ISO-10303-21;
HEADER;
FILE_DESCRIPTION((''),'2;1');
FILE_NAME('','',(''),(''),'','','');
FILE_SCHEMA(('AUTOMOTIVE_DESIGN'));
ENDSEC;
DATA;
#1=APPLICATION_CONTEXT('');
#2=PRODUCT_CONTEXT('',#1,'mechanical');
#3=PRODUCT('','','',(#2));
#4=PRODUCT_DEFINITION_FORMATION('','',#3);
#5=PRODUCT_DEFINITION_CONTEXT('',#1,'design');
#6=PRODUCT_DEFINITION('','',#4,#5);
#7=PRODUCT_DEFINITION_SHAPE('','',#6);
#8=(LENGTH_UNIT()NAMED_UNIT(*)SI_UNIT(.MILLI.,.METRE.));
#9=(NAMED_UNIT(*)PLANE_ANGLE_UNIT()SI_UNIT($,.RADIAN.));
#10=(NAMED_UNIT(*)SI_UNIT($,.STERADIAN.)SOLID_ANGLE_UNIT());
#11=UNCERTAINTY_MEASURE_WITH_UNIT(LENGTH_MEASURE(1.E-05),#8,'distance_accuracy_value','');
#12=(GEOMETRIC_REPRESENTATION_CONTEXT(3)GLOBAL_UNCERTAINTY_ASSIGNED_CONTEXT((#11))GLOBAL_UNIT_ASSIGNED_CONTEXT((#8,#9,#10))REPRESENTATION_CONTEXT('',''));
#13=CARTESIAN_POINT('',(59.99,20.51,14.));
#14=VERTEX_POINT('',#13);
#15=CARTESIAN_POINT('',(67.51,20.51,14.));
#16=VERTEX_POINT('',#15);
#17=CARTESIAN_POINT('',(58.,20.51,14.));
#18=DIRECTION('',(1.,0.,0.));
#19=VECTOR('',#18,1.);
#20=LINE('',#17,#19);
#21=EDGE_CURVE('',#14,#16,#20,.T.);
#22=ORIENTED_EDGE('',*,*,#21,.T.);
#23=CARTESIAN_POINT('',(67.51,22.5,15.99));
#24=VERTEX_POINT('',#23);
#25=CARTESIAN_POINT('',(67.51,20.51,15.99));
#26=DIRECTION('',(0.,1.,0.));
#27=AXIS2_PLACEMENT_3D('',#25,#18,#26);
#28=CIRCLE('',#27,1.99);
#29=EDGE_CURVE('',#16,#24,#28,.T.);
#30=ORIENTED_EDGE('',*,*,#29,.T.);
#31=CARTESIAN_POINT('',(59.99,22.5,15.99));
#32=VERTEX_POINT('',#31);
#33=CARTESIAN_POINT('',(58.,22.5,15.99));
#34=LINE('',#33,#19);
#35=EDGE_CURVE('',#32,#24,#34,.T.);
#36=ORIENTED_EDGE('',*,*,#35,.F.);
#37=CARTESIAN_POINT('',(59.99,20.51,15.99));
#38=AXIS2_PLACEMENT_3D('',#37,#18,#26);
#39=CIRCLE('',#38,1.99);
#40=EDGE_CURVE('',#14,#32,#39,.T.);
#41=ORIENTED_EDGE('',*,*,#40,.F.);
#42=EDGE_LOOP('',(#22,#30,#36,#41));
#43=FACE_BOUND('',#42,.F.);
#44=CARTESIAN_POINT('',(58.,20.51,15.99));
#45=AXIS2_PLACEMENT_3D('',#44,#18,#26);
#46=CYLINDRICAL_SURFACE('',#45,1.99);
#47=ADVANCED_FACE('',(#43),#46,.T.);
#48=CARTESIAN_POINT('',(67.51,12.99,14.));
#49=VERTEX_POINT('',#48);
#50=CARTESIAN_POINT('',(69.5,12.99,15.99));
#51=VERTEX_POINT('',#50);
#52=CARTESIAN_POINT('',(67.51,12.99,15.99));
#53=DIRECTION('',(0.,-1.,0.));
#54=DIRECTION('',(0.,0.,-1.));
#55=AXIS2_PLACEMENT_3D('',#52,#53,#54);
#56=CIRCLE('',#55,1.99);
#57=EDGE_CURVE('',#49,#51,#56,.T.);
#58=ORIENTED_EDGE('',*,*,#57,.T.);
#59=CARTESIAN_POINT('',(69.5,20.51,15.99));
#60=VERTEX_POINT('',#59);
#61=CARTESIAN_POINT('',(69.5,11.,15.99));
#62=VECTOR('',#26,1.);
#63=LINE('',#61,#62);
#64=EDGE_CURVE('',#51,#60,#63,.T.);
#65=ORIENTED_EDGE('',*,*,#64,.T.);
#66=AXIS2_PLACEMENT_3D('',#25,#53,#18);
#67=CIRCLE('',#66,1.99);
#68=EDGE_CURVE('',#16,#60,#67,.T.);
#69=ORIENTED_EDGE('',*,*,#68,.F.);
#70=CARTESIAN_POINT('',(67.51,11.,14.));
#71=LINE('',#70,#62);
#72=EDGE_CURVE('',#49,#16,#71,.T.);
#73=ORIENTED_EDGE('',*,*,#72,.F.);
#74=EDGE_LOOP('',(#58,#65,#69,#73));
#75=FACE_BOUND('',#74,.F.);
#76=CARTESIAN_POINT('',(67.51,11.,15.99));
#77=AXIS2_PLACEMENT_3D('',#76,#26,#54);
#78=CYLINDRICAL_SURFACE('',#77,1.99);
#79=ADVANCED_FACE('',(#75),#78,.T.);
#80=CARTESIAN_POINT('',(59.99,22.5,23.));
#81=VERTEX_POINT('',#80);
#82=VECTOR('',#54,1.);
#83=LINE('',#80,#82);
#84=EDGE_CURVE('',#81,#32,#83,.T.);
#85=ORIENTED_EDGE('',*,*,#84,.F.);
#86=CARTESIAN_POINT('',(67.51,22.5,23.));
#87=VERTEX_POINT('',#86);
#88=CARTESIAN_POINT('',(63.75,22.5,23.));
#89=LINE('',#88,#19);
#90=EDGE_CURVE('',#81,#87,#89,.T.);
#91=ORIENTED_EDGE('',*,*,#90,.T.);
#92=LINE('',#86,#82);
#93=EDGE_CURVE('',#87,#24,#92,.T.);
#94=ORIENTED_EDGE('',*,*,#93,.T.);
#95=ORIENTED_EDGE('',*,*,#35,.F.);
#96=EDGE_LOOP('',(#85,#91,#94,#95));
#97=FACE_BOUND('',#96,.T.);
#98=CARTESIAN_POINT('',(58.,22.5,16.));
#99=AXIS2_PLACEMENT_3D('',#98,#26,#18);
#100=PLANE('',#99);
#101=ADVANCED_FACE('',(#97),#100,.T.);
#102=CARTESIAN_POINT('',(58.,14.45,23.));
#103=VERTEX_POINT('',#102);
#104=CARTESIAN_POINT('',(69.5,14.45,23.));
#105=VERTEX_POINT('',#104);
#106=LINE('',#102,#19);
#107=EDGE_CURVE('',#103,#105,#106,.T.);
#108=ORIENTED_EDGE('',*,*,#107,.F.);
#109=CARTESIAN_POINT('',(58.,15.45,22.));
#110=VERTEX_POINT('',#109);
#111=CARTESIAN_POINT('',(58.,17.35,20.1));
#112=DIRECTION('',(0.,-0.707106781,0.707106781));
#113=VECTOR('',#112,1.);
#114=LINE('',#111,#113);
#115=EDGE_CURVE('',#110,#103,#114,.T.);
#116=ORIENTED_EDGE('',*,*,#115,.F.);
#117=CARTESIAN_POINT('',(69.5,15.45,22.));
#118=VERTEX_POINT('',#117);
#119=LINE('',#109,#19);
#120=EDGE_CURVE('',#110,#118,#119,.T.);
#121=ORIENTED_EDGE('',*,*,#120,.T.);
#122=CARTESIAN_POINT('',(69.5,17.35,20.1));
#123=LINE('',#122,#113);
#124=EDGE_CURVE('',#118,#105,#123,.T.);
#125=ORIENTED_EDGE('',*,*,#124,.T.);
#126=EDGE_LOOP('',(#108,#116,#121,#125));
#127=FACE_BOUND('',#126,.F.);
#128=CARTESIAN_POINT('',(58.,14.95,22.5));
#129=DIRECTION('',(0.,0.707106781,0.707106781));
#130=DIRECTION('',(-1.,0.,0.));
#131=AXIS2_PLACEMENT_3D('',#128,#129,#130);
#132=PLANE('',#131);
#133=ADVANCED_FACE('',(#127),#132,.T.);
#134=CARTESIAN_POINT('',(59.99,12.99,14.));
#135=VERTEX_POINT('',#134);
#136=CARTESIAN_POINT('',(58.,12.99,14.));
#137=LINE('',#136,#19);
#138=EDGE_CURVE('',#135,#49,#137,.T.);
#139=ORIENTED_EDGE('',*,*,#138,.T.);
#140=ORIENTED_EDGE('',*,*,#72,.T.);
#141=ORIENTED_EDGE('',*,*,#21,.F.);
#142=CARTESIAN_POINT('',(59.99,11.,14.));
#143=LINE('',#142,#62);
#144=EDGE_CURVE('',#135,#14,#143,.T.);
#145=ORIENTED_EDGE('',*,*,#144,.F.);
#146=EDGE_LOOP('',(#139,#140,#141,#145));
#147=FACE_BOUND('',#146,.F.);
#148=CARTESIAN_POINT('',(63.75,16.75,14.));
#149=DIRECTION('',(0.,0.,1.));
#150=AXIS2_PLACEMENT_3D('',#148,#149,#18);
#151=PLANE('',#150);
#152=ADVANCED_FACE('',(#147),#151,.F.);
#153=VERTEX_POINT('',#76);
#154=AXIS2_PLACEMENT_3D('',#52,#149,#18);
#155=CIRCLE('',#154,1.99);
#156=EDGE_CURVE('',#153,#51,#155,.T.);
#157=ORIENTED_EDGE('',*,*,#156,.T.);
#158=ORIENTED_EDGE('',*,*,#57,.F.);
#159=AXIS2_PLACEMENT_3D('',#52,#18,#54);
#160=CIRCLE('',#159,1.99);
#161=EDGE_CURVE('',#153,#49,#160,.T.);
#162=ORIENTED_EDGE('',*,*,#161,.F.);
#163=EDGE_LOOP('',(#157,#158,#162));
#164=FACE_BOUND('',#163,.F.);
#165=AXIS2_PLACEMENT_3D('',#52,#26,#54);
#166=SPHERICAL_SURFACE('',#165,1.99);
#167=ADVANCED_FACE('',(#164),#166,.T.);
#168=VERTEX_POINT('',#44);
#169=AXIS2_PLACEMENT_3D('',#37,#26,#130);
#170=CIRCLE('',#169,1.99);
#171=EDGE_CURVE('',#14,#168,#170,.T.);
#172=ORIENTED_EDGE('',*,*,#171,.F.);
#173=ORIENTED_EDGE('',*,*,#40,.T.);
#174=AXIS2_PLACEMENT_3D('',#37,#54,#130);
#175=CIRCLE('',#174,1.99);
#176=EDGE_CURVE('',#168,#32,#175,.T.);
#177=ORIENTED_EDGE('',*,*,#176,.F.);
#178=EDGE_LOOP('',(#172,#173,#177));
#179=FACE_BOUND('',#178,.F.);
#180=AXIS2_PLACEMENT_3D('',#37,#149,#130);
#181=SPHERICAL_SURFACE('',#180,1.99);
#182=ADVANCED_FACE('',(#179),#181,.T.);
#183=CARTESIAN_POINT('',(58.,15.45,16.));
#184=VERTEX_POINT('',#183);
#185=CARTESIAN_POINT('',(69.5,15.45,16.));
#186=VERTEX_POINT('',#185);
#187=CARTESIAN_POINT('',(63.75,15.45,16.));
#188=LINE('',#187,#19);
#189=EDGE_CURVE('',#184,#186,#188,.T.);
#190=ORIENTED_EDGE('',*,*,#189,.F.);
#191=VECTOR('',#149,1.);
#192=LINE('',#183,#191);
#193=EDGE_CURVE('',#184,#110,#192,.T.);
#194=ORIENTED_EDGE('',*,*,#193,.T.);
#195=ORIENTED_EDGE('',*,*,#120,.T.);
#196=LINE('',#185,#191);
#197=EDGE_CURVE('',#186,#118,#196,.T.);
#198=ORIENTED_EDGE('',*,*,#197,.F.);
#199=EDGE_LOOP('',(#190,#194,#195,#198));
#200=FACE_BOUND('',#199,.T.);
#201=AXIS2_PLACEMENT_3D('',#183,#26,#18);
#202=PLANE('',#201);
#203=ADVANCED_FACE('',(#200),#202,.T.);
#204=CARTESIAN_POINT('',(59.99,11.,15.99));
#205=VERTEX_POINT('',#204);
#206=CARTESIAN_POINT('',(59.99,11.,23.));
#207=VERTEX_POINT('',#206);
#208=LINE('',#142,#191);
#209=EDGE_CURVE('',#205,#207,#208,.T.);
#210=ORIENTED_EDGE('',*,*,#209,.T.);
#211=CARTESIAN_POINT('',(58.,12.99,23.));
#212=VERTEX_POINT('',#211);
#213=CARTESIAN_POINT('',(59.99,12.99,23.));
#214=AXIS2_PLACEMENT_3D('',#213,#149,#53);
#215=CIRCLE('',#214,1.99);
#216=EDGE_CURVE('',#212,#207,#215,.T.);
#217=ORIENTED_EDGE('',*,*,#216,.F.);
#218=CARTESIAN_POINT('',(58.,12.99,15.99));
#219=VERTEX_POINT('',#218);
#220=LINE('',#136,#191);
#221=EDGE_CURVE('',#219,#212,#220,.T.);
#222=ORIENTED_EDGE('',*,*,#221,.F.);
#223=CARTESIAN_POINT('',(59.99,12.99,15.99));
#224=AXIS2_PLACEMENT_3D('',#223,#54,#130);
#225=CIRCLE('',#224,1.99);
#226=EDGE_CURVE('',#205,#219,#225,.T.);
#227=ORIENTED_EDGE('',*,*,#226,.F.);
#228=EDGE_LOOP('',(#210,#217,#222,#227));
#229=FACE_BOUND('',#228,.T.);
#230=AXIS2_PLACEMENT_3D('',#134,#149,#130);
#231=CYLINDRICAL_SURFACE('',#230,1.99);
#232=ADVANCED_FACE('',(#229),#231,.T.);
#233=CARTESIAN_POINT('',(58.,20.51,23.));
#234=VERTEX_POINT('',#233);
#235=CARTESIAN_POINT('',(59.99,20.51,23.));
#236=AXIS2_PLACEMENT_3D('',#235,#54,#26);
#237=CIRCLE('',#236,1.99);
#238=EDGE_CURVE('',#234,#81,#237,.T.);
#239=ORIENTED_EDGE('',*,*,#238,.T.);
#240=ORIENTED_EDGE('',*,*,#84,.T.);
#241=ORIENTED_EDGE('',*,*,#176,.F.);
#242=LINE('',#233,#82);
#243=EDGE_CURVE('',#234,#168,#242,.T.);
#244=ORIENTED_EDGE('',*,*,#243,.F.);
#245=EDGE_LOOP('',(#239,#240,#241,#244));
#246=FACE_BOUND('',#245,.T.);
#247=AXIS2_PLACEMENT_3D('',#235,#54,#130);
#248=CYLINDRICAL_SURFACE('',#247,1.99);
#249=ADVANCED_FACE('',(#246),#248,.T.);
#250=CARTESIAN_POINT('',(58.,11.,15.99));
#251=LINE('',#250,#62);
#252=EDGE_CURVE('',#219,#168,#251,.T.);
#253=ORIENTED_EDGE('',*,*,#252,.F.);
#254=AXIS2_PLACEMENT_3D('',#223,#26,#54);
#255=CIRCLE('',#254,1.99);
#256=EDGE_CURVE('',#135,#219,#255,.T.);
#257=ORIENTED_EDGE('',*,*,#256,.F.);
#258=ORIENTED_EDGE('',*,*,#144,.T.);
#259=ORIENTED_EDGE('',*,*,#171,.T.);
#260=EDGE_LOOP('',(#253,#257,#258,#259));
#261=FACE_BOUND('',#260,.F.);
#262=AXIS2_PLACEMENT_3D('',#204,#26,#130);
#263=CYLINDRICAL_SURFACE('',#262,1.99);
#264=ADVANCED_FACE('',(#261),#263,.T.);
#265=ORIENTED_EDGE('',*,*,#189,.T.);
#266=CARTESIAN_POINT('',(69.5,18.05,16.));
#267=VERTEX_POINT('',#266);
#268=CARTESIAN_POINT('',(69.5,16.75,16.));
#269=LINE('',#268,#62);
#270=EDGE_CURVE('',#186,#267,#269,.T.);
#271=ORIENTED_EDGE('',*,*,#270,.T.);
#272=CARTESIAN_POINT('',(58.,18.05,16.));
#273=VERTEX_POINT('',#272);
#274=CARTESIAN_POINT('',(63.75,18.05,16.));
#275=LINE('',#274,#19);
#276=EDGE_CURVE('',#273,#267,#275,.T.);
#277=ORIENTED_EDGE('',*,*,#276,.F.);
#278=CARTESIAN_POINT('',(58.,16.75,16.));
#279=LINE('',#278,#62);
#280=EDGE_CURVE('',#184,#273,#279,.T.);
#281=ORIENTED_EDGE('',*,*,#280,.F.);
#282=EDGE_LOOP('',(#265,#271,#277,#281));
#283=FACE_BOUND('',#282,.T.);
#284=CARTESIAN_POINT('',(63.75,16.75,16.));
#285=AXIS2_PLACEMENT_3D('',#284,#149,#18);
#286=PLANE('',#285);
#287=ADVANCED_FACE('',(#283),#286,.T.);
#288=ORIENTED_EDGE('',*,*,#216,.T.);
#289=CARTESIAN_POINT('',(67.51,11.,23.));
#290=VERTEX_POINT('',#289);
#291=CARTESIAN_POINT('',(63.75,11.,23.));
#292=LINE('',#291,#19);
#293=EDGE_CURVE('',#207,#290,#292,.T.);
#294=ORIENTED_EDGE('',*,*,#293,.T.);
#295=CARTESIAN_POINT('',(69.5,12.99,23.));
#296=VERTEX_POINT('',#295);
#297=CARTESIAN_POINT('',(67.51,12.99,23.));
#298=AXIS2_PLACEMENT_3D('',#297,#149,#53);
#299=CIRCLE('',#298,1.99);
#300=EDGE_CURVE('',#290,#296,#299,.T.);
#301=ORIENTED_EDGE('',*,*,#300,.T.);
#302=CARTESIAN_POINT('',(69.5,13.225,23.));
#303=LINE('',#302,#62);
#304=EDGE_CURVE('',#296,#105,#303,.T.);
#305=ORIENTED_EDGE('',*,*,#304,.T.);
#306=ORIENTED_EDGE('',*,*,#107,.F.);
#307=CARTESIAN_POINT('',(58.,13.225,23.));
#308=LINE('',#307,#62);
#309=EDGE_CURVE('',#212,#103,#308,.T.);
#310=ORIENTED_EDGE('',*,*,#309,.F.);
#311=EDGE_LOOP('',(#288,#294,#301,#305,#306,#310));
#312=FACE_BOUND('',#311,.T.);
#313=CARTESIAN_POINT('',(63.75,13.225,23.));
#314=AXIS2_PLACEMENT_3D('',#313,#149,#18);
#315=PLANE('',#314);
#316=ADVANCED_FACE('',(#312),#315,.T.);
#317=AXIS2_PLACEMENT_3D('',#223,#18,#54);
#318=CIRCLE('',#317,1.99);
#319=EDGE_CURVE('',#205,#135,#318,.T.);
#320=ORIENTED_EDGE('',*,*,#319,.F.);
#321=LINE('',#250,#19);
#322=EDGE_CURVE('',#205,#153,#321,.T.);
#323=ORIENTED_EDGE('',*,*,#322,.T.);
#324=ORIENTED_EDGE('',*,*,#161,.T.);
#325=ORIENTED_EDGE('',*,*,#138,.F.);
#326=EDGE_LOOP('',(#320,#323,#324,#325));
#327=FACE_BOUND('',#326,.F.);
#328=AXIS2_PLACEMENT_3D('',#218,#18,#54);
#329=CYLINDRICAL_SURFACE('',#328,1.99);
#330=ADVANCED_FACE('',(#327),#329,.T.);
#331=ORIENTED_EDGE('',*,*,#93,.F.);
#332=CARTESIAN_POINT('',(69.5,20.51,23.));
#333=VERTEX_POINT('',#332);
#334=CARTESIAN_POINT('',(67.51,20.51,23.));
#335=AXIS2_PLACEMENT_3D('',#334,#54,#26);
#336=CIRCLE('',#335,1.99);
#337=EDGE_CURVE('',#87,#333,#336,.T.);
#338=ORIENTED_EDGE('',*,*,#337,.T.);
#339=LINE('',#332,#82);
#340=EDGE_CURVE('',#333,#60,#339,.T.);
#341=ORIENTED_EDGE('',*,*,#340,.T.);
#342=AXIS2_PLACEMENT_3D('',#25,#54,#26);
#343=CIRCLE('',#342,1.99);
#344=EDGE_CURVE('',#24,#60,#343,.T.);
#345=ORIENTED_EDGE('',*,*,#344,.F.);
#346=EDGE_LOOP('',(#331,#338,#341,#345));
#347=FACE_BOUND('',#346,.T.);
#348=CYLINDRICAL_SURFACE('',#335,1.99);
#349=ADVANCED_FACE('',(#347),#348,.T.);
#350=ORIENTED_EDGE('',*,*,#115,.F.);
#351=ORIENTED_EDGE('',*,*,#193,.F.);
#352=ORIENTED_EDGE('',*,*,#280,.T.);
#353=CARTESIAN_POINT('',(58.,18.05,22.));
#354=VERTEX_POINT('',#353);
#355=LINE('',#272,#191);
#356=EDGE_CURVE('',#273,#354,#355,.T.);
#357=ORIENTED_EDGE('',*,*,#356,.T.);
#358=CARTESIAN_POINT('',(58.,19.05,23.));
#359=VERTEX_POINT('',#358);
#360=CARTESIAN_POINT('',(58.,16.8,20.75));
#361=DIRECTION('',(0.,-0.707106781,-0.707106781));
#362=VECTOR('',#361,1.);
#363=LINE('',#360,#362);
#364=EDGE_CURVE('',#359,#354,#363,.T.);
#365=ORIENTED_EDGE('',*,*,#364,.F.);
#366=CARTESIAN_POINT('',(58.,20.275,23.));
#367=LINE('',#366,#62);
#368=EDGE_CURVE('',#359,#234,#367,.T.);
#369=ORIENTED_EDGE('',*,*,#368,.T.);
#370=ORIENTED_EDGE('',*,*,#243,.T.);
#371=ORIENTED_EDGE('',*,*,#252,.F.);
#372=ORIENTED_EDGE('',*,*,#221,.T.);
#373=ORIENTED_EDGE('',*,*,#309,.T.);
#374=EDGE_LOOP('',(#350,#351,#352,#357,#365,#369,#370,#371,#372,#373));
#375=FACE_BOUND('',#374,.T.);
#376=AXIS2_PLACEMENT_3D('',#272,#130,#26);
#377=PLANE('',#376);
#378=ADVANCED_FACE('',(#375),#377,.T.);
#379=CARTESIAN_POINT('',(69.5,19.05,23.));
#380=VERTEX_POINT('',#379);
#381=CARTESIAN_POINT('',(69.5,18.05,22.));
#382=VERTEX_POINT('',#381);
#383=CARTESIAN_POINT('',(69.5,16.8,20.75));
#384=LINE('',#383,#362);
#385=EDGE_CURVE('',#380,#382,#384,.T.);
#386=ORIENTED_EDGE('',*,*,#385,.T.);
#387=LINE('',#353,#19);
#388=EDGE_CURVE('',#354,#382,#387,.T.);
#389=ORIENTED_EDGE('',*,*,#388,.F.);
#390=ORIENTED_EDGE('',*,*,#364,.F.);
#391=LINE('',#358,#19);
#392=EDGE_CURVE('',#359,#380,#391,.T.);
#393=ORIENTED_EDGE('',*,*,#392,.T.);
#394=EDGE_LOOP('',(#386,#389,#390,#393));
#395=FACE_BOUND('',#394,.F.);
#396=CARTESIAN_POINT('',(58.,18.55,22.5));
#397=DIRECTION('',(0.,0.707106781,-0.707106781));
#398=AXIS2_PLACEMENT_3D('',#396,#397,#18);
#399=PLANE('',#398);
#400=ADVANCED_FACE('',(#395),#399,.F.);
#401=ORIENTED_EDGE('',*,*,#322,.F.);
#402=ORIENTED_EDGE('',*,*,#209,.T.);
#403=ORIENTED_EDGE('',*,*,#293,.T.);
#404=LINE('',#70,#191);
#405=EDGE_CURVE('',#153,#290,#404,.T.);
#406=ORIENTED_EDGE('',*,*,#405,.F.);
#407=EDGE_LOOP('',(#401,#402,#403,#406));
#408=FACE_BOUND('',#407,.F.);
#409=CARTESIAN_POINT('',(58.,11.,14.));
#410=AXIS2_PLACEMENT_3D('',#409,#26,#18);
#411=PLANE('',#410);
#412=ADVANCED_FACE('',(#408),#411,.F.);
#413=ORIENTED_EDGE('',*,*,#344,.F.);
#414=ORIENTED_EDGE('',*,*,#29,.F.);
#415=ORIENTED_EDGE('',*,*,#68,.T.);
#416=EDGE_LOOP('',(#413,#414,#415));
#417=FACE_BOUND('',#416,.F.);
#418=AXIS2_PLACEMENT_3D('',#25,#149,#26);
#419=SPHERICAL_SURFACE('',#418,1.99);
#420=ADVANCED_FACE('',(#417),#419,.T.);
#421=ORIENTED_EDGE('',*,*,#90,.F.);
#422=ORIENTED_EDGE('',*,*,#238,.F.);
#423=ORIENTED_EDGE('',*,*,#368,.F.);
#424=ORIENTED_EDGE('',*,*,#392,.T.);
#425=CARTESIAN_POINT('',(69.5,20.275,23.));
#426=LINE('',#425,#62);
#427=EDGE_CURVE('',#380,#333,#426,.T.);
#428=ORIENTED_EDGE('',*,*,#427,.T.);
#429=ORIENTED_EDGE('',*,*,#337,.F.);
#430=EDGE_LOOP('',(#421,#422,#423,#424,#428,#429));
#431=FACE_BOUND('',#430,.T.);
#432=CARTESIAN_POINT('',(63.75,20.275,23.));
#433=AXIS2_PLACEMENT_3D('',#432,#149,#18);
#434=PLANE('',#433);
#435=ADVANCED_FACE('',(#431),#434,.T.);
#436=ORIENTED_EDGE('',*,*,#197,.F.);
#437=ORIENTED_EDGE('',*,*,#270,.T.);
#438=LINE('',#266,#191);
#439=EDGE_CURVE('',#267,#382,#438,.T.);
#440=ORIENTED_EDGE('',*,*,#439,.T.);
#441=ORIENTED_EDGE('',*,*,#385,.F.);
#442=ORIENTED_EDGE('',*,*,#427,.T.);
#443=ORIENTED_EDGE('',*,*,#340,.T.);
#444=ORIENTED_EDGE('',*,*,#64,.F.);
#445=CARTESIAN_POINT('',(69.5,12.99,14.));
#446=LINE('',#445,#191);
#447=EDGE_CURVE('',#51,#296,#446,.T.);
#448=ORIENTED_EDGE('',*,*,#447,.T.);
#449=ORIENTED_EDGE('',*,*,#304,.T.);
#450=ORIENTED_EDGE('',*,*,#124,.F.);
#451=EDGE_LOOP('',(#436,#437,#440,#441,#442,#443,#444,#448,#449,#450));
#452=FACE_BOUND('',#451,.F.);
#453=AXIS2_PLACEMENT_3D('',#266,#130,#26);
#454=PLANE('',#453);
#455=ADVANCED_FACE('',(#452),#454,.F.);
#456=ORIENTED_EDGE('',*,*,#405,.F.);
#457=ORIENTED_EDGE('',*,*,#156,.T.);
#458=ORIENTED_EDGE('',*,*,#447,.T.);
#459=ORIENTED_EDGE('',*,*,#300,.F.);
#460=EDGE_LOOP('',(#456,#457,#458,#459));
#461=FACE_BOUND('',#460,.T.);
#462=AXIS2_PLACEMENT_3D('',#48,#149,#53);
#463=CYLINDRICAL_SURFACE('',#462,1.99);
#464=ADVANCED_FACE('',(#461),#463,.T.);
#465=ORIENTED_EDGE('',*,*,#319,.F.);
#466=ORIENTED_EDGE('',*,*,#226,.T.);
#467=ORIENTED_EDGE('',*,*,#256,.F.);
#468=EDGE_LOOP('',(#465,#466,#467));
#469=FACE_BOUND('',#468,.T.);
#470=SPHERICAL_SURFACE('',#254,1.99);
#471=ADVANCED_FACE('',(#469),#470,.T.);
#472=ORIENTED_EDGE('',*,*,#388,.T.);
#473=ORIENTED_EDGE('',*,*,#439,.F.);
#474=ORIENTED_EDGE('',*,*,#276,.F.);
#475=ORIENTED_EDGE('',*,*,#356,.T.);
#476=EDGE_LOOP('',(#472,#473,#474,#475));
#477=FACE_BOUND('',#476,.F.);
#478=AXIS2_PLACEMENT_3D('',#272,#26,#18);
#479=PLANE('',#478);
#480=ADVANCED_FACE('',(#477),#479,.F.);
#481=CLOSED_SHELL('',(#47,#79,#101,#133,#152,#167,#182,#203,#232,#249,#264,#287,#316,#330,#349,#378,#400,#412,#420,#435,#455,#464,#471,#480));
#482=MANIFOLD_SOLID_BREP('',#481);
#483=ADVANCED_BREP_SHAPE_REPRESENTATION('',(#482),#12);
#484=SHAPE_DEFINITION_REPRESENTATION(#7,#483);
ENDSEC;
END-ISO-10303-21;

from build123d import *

# Parameters (mm, degrees)
BOX025_W        = 11.5
BOX025_H        = 11.5
BOX025_DEPTH    = 2
BOX023_W        = 11.5
BOX023_H        = 4.45
BOX023_DEPTH    = 7
BOX022_W        = 11.5
BOX022_H        = 4.45
BOX022_DEPTH    = 7
CHAMFER003_SIZE = 1
FILLET008_R     = 1.99


with BuildPart() as beltclipbase:
    # Box025 → Box025 (new body)
    with BuildSketch(Plane(origin=(40, 9, 14), x_dir=(1, 0, 0), z_dir=(0, 0, 1))):
        with Locations((5.75, 5.75)):
            Rectangle(BOX025_W, BOX025_H)
    extrude(amount=BOX025_DEPTH)


with BuildPart() as beltclipright:
    # Box023 → Box023 (new body)
    with BuildSketch(Plane(origin=(40, 16.05, 16), x_dir=(1, 0, 0), z_dir=(0, 0, 1))):
        with Locations((5.75, 2.225)):
            Rectangle(BOX023_W, BOX023_H)
    extrude(amount=BOX023_DEPTH)


with BuildPart() as belt_clip:
    # Box022 → Box022 (new body)
    with BuildSketch(Plane(origin=(40, 9, 16), x_dir=(1, 0, 0), z_dir=(0, 0, 1))):
        with Locations((5.75, 2.225)):
            Rectangle(BOX022_W, BOX022_H)
    extrude(amount=BOX022_DEPTH)

    # Fusion030: union BeltClipBase, BeltClipRight
    add(beltclipbase.part)
    add(beltclipright.part)

    # Chamfer003
    chamfer003_edges = [belt_clip.edges().sort_by_distance(p)[0] for p in [
        (45.75, 16.05, 23),
        (45.75, 13.45, 23),
    ]]
    chamfer(chamfer003_edges, length=CHAMFER003_SIZE)

    # Fillet008
    fillet008_edges = [belt_clip.edges().sort_by_distance(p)[0] for p in [
        (40, 20.5, 19.5),
        (51.5, 20.5, 19.5),
        (40, 14.75, 14),
        (45.75, 20.5, 14),
        (51.5, 14.75, 14),
        (45.75, 9, 14),
        (40, 9, 19.5),
        (51.5, 9, 19.5),
    ]]
    fillet(fillet008_edges, radius=FILLET008_R)


with BuildPart() as belt_clip_1:
    # Fillet008 placement: moved
    add(belt_clip.part.moved(Location((18, 2, 0))))


solid = belt_clip_1.part
